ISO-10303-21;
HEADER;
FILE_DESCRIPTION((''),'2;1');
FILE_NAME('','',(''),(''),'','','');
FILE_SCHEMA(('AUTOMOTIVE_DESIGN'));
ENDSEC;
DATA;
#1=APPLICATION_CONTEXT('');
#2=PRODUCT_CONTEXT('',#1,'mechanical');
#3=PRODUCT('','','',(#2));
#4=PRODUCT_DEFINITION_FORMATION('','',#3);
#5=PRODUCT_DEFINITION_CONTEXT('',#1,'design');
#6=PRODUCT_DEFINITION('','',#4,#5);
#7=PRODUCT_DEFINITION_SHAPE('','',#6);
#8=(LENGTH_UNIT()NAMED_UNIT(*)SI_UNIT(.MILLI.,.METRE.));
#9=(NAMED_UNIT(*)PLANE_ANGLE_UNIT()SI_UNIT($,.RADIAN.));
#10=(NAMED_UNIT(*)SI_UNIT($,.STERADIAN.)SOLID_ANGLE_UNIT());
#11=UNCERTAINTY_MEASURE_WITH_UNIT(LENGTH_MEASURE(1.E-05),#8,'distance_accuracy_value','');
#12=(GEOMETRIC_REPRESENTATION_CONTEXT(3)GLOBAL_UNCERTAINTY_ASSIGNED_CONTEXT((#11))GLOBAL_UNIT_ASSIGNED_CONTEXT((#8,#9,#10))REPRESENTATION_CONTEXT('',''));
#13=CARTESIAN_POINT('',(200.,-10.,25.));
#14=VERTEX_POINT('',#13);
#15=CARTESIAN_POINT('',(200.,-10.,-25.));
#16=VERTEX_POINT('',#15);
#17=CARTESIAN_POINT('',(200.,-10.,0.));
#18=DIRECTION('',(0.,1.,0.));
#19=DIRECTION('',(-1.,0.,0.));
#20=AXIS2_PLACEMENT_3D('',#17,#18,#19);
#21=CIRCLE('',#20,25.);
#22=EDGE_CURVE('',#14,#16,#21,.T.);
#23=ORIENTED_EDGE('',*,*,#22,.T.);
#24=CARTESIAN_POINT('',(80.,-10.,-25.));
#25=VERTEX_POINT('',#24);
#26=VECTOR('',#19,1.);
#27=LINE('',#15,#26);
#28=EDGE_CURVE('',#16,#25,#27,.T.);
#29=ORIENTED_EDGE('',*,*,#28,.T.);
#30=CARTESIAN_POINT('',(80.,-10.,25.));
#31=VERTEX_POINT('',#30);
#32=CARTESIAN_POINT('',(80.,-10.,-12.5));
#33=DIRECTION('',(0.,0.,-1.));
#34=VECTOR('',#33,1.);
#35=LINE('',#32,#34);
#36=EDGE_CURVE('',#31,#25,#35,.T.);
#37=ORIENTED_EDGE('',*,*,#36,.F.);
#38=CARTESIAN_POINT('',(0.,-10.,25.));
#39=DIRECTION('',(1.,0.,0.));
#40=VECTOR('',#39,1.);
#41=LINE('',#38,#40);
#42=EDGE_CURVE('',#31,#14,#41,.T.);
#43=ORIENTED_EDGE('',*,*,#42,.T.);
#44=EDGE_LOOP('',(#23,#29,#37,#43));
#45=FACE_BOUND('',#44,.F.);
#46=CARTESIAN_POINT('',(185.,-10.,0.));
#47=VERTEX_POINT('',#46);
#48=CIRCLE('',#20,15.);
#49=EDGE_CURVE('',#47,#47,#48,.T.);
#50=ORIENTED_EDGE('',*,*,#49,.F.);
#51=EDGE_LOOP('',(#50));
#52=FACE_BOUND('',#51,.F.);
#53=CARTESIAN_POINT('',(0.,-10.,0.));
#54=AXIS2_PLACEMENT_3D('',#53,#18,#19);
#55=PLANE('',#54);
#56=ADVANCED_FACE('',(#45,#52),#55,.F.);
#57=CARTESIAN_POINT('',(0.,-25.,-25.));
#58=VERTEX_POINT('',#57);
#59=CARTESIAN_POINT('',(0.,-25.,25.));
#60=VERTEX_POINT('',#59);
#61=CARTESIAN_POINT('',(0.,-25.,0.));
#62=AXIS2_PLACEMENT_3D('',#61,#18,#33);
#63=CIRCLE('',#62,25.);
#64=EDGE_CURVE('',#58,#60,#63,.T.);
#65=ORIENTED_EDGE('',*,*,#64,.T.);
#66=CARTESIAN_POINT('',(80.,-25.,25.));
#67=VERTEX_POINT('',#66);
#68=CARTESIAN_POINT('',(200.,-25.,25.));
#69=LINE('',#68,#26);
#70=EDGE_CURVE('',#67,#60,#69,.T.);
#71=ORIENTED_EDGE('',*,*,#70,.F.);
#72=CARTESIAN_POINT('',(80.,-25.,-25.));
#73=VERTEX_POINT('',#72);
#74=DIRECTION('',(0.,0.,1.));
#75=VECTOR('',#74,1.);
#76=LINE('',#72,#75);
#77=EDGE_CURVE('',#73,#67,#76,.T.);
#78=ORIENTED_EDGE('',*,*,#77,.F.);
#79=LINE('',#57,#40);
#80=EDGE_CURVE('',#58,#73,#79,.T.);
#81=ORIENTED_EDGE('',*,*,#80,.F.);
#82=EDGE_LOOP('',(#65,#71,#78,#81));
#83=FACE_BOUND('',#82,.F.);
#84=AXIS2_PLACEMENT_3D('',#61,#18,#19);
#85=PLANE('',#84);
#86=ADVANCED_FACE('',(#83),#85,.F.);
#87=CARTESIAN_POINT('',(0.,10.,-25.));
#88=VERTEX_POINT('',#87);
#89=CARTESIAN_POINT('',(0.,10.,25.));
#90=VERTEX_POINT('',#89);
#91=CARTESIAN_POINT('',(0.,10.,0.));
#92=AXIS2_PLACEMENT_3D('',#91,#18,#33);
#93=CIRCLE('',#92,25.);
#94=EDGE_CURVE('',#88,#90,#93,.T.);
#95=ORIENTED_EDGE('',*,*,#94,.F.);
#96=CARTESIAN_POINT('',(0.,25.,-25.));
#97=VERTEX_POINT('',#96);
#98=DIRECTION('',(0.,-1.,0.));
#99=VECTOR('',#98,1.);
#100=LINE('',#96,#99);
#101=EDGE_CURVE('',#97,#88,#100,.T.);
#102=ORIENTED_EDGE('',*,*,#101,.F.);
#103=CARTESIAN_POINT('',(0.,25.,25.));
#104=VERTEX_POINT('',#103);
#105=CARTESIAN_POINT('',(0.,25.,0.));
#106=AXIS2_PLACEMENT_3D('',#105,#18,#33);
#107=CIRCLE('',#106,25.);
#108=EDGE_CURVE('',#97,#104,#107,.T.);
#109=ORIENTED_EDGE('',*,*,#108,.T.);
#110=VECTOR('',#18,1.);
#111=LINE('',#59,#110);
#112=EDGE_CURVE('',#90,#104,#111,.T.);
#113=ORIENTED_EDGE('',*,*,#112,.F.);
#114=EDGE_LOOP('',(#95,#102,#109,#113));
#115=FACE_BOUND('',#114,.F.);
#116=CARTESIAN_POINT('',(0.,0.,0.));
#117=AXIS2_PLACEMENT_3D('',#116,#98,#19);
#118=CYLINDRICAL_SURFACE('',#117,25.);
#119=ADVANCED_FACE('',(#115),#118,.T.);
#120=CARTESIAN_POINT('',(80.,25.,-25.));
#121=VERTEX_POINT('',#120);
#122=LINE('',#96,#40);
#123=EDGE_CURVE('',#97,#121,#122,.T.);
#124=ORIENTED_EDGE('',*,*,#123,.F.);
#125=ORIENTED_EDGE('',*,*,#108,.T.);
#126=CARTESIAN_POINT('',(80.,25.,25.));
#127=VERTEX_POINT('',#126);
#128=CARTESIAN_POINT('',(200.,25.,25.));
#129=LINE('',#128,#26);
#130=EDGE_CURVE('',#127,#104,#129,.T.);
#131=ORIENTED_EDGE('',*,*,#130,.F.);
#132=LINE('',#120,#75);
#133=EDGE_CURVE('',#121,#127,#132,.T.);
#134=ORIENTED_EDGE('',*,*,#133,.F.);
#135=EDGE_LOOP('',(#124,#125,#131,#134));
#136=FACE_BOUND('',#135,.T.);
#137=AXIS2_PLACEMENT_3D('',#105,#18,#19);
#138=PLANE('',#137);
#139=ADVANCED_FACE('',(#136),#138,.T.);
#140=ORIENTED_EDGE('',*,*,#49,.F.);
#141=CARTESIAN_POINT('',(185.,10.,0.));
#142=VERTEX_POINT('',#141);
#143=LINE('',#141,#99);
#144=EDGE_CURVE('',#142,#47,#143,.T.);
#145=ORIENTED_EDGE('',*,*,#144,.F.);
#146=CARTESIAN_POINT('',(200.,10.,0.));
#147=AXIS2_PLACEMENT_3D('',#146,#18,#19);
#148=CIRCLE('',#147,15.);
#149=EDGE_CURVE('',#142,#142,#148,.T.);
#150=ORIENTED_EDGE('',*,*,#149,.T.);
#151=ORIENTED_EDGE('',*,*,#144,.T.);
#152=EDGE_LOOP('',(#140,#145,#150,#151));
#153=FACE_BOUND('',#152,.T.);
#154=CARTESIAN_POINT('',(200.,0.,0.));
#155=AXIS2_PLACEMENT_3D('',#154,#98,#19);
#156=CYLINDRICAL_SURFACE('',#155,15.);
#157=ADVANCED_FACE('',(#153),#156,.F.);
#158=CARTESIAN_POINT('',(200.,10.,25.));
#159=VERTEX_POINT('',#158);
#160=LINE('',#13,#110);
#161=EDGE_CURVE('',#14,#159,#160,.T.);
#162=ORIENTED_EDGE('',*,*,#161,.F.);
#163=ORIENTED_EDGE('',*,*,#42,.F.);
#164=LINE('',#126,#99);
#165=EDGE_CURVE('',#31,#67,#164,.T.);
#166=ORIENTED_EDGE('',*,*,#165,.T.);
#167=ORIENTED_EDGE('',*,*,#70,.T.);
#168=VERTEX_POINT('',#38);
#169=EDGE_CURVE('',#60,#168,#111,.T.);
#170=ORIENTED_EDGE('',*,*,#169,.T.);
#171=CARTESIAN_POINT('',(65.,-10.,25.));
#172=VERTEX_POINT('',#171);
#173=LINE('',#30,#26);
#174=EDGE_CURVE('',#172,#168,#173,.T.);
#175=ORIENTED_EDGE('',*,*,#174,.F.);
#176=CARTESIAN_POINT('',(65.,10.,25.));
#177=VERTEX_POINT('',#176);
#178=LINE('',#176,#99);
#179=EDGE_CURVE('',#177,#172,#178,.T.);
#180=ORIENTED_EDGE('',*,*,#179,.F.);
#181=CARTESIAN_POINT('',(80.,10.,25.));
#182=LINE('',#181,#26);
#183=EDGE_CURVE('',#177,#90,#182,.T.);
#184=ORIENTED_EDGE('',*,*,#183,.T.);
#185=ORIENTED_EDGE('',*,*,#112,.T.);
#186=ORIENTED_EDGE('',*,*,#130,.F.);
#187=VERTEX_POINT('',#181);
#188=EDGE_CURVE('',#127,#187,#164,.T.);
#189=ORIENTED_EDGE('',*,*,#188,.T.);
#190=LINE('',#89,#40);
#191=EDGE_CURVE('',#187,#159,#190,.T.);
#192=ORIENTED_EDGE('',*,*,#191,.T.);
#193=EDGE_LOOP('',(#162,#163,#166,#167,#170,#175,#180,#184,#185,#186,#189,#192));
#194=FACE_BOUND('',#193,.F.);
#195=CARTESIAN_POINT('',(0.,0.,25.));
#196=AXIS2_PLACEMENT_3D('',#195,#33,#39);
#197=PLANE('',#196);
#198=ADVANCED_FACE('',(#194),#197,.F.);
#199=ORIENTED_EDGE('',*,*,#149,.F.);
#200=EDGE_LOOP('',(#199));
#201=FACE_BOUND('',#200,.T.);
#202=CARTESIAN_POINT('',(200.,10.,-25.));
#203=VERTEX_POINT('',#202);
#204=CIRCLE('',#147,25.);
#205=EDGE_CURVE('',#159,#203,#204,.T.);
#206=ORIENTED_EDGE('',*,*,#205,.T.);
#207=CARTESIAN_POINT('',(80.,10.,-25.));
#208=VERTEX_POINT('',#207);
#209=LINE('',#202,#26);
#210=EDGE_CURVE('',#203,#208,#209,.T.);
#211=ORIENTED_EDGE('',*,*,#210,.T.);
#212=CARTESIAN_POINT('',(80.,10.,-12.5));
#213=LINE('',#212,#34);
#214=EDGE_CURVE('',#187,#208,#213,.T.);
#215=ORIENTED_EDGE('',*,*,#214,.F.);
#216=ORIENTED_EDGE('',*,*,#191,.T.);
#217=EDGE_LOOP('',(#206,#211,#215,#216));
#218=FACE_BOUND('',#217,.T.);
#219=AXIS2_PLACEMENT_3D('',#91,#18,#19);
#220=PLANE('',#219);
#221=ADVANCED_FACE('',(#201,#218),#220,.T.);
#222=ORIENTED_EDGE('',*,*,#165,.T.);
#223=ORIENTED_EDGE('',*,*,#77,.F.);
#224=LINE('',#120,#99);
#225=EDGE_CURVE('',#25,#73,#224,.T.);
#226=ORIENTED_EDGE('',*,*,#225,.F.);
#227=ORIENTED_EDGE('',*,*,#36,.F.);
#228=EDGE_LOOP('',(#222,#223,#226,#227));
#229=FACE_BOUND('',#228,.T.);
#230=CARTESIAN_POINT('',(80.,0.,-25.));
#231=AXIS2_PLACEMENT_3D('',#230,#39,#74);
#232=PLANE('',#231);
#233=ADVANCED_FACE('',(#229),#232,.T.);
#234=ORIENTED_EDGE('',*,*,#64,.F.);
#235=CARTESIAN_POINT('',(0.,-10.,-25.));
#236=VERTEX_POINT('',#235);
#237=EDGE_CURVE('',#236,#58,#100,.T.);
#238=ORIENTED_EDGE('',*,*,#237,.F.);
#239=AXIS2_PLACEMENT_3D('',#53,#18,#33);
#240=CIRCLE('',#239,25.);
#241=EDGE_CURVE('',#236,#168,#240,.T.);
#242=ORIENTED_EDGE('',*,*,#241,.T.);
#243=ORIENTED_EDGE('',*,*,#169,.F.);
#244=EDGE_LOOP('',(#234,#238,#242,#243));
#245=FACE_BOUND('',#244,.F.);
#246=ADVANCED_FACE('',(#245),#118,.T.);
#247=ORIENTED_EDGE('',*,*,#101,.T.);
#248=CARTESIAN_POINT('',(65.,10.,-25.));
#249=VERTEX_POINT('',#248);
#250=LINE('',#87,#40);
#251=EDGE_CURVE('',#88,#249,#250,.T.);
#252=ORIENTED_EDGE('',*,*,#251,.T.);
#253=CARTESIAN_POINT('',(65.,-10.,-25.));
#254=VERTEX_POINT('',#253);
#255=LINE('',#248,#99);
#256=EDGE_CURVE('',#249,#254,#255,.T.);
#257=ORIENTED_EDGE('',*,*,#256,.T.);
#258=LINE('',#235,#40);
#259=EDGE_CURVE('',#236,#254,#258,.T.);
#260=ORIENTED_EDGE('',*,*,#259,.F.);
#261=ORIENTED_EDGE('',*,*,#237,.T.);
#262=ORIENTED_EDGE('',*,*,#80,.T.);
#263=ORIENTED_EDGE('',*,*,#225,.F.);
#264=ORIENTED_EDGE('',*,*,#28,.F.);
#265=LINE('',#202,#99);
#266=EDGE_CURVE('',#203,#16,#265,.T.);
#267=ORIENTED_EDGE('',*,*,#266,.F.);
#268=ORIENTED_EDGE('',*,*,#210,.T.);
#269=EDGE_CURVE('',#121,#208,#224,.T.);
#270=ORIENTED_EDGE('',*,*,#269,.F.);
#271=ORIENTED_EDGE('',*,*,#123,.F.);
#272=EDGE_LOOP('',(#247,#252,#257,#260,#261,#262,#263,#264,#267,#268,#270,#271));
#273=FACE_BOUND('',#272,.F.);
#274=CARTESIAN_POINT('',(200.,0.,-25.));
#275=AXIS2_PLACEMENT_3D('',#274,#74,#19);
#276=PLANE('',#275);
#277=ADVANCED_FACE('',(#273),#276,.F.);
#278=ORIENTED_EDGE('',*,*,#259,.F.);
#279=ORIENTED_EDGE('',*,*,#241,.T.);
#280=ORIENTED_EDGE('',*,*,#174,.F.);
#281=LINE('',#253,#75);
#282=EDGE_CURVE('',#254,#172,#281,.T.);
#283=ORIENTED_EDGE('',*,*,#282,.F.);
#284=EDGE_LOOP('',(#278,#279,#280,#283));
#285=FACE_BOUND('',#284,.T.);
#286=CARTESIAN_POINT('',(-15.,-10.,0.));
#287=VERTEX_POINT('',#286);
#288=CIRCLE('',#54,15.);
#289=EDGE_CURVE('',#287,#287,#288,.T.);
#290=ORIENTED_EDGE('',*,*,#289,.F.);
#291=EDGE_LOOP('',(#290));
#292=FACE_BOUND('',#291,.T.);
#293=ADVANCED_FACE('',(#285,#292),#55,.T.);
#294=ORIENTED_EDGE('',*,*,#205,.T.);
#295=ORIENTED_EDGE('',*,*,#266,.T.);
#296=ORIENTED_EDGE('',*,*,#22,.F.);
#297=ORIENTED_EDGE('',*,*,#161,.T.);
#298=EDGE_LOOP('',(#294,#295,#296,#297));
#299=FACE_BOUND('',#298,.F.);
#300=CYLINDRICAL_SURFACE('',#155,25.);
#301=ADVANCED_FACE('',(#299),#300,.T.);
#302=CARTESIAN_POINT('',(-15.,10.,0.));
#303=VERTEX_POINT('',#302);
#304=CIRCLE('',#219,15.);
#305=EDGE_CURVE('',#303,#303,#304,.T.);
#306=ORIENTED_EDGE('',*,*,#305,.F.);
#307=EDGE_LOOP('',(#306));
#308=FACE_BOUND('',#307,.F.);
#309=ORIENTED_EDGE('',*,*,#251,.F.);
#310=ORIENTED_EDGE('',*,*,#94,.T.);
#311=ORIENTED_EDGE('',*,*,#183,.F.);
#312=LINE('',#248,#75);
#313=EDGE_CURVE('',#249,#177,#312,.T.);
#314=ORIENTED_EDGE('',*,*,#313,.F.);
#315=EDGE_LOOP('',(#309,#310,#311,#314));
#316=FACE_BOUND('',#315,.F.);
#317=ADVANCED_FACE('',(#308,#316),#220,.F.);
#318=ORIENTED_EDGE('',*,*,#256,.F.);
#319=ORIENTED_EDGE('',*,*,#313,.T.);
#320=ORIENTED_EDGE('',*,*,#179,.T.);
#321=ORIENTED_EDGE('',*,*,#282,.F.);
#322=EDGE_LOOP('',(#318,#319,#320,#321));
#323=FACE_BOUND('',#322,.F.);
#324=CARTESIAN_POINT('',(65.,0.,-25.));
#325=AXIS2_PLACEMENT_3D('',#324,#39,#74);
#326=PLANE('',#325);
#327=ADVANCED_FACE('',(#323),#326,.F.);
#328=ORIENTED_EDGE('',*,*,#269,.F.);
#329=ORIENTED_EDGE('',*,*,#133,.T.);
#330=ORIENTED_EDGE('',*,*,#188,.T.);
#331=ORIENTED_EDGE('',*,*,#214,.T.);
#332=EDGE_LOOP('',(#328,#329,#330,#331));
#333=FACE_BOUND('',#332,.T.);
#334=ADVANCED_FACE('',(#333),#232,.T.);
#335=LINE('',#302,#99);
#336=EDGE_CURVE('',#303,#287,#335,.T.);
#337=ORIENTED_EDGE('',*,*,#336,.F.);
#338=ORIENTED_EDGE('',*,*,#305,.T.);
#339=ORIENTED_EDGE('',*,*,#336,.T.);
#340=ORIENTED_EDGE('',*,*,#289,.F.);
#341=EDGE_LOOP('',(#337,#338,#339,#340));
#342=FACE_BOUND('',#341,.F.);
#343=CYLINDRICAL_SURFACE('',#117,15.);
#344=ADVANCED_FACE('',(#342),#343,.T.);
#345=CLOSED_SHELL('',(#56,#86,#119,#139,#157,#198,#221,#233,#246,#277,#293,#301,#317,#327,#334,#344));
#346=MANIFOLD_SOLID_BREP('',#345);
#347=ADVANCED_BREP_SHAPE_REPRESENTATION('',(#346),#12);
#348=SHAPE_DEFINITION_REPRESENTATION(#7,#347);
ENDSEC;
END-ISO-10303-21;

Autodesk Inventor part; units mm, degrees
ref_plane "YZ Plane" through (0, 0, 0) normal (1, 0, 0) x (0, 1, 0)
ref_plane "XZ Plane" through (0, 0, 0) normal (0, 1, 0) x (-1, 0, 0)
ref_plane "XY Plane" through (0, 0, 0) normal (0, 0, 1) x (1, 0, 0)
sketch "Sketch1" plane through (0, 0, 0) normal (0, 1, 0) x (-1, 0, 0)
  circle A0 centre (0, 0) radius 25
  circle A1 centre (-200, 0) radius 25
  line L0 (0, 25) -> (-200, 25)
  line L1 (-200, 25) -> (-200, -25)
  line L2 (-200, -25) -> (0, -25)
  line L3 (0, -25) -> (0, 25)
  point P0 (-200, 0)
  point P1 (0, 0)
  point P2 (0, -25)
  dimension "d0" = 50
  dimension "d1" = 50
  dimension "d2" = 200
extrude "Extrusion1" add sketch "Sketch1" along normal mid plane 20
sketch "Sketch4" plane through (0, 0, 0) normal (0, 1, 0) x (-1, 0, 0)
  arc A0 (0, -25) -> (0, 25) centre (0, 0) ccw projected
  line L0 (0, -25) -> (-200, -25) projected
  arc A1 (-200, 25) -> (-200, -25) centre (-200, 0) ccw projected
  line L1 (-200, 25) -> (0, 25) projected
  line L2 (0, -25) -> (-200, -25) projected
  line L3 (-80, -25) -> (-80, 25)
  line L4 (-200, 25) -> (0, 25) projected
  dimension "d10" = 80
extrude "Extrusion3" add sketch "Sketch4" along normal mid plane 50 contours L0 L3 L1 A0
sketch "Sketch6" plane through (0, 0, 0) normal (0, 1, 0) x (-1, 0, 0)
  circle A0 centre (0, 0) radius 15
  arc A1 (-200, 25) -> (-200, -25) centre (-200, 0) ccw projected
  circle A2 centre (-200, 0) radius 15
  line L0 (0, -25) -> (-80, -25) projected
  line L1 (-65, -25) -> (-65, 25)
  arc A3 (0, -25) -> (0, 25) centre (0, 0) ccw projected
  line L2 (-80, 25) -> (0, 25) projected
  point P0 (-65, 0)
  point P1 (25, 0)
  dimension "d13" = 30
  dimension "d14" = 30
  dimension "d16" = 90
extrude "Extrusion4" cut sketch "Sketch6" along normal mid plane 20
properties part number "Manipulator Link"
